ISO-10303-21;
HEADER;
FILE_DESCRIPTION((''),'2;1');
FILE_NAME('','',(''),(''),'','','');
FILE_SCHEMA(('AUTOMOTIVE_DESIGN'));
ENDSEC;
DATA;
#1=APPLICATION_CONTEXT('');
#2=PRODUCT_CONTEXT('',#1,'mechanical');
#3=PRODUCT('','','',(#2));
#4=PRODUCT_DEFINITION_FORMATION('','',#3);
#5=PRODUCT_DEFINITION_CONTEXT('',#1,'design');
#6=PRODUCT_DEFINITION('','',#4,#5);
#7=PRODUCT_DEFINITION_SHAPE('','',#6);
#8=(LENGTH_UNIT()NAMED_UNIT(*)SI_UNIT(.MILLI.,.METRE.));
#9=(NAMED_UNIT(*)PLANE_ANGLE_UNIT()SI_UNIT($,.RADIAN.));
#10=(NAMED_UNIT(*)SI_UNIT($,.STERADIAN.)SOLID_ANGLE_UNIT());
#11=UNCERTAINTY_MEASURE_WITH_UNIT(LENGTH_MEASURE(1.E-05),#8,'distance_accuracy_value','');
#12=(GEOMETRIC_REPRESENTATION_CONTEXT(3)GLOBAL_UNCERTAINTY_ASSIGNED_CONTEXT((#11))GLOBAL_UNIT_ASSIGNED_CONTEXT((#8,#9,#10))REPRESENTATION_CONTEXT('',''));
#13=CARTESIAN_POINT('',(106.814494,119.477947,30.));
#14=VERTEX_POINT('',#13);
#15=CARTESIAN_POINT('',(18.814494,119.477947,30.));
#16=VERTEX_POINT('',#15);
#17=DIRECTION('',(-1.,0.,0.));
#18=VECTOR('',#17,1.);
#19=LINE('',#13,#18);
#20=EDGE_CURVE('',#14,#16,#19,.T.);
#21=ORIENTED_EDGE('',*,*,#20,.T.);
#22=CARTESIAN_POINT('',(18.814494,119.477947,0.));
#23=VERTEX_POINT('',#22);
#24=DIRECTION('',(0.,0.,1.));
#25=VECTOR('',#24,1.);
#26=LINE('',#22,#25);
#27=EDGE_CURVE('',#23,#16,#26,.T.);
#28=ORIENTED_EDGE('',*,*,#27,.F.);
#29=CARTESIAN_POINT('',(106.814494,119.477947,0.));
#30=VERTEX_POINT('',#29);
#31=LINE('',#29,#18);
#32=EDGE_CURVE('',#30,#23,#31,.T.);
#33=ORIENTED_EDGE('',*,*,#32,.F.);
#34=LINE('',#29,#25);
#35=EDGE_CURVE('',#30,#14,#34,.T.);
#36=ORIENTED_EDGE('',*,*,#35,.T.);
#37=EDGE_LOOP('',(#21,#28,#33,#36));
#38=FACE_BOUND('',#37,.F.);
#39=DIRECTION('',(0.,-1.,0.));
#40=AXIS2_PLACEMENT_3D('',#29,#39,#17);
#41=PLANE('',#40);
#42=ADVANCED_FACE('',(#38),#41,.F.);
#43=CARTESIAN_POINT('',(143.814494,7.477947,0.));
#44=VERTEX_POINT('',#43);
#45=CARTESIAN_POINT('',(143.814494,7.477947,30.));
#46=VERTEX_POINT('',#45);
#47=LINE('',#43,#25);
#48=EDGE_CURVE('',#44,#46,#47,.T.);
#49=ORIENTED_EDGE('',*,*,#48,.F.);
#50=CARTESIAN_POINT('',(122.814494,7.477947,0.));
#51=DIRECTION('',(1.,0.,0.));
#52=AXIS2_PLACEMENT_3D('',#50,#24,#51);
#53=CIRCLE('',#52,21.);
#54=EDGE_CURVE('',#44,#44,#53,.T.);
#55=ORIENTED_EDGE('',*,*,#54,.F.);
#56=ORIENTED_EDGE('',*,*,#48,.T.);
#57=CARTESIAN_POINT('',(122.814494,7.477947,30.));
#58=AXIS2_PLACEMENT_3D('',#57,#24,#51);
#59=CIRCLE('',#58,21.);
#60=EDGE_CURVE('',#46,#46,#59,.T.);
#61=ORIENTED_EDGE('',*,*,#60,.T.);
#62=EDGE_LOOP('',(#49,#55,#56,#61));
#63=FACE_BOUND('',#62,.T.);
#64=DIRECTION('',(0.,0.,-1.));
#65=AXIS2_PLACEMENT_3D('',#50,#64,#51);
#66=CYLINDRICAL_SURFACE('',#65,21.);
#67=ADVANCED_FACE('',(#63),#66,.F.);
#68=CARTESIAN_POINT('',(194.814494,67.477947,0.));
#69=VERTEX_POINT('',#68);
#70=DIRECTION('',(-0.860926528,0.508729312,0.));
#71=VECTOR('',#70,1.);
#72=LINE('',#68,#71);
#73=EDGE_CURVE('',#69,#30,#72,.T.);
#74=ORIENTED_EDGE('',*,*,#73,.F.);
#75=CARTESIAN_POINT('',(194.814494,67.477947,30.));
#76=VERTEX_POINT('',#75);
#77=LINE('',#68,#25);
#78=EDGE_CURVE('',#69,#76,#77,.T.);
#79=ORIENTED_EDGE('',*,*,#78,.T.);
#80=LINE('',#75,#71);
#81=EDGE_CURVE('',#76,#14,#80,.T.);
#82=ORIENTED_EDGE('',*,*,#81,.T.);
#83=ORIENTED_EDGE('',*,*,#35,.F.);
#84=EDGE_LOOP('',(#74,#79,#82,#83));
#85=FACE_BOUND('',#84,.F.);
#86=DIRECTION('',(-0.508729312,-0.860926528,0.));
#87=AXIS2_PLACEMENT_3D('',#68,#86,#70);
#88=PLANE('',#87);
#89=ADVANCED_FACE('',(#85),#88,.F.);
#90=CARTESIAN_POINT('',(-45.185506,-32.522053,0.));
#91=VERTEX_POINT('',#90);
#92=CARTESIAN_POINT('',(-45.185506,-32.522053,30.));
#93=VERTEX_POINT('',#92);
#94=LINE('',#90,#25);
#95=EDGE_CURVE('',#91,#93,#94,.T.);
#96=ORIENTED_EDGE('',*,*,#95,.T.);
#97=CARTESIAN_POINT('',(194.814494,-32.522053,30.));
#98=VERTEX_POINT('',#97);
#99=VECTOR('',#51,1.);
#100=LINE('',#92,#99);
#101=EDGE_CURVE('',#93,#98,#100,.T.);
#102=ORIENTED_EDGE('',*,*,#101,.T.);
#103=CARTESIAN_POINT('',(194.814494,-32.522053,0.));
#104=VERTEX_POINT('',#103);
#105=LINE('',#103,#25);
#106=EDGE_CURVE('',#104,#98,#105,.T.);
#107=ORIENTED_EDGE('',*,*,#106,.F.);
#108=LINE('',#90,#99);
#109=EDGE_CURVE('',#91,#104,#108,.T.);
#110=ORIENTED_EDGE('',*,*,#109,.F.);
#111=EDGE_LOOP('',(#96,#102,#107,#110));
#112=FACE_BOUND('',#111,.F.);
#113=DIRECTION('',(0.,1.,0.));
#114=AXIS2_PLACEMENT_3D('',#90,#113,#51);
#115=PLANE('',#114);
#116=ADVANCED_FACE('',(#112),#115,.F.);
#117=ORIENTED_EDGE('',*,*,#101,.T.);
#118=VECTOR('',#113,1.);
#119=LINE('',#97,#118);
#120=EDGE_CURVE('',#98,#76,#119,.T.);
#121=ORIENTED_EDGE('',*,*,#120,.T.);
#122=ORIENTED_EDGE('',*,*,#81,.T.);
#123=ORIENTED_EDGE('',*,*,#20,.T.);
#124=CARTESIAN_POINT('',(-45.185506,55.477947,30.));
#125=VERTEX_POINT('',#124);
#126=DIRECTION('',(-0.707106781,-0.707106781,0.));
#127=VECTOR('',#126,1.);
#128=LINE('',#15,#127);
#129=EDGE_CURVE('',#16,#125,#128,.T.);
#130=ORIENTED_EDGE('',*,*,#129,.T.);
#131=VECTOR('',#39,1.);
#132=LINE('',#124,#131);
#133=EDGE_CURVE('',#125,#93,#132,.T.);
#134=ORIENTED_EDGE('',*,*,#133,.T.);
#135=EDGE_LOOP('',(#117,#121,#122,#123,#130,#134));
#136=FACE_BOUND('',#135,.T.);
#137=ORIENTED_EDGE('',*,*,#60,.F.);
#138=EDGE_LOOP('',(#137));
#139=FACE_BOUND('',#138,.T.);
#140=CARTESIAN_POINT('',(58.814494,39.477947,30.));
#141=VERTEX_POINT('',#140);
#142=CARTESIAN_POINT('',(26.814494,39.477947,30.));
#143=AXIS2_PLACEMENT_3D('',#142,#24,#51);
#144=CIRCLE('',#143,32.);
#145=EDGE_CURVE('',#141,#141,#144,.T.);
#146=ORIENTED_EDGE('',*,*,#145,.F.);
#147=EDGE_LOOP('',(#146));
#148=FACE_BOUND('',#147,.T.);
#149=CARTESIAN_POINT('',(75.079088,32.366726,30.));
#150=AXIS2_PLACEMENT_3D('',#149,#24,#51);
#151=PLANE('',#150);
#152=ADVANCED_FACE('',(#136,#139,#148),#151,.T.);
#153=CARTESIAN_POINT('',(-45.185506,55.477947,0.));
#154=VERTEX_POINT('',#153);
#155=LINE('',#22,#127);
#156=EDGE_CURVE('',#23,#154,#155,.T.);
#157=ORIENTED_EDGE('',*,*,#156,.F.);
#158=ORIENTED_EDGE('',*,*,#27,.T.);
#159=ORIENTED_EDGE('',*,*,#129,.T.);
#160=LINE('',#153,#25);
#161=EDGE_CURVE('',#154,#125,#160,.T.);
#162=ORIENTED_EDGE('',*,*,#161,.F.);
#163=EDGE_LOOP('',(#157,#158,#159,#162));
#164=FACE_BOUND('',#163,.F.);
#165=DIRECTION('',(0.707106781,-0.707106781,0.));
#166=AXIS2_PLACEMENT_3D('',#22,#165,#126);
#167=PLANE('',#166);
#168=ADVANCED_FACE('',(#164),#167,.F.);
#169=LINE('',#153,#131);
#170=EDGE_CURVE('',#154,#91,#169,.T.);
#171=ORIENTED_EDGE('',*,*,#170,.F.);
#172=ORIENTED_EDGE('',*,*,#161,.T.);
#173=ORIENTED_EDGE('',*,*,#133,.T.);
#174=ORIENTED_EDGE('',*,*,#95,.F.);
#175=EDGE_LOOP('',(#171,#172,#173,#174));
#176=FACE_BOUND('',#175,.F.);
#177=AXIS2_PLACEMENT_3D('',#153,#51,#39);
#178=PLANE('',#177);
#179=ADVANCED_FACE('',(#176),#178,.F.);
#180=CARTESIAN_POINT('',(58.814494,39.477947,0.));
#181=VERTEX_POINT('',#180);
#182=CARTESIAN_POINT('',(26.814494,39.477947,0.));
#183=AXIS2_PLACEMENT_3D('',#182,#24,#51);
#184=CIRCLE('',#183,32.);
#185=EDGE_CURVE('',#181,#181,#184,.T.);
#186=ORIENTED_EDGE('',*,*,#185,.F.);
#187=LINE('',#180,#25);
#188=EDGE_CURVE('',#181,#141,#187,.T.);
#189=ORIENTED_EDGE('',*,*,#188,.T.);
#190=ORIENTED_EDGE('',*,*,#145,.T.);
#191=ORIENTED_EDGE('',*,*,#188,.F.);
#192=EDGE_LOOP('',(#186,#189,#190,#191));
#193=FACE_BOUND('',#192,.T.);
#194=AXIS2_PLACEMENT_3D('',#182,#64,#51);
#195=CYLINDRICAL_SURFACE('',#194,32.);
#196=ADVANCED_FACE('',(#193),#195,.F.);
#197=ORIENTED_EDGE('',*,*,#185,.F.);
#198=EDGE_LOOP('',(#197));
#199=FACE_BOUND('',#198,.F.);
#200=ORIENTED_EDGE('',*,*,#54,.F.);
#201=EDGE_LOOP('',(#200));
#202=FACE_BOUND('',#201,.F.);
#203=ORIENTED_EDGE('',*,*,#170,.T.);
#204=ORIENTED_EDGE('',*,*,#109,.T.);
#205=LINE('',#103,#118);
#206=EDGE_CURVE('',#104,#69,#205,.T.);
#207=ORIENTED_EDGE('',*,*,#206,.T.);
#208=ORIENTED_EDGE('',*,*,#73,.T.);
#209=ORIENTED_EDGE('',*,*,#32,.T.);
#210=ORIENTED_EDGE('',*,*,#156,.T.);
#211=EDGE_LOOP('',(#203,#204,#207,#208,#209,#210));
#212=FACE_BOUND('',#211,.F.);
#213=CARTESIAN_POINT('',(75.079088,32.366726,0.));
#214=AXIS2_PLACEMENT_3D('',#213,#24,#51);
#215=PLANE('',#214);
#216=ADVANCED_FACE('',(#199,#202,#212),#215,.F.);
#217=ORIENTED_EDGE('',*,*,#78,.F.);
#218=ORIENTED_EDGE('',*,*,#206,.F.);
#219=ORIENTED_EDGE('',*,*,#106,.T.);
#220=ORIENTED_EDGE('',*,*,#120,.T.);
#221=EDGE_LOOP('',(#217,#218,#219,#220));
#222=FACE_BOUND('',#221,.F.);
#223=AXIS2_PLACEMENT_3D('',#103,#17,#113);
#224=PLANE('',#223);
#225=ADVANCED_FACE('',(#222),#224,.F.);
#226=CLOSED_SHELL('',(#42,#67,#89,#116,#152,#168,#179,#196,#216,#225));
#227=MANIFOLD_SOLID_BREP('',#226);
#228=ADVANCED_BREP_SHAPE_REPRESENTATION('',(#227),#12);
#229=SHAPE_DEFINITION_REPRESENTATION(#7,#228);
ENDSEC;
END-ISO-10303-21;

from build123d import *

# Parameters (mm, degrees)
F0_R     = 32
F0_R_2   = 21
F1_DEPTH = 30


with BuildPart() as f1:
    # F0 (on Top) → F1 (new body)
    with BuildSketch(Plane.XY):
        Polygon((-45.185506, 55.477947), (-45.185506, -32.522053), (194.814494, -32.522053), (194.814494, 67.477947), (106.814494, 119.477947), (18.814494, 119.477947), align=None)
        with Locations((26.814494, 39.477947)):
            Circle(F0_R, mode=Mode.SUBTRACT)
        with Locations((122.814494, 7.477947)):
            Circle(F0_R_2, mode=Mode.SUBTRACT)
    extrude(amount=F1_DEPTH)


solid = f1.part
